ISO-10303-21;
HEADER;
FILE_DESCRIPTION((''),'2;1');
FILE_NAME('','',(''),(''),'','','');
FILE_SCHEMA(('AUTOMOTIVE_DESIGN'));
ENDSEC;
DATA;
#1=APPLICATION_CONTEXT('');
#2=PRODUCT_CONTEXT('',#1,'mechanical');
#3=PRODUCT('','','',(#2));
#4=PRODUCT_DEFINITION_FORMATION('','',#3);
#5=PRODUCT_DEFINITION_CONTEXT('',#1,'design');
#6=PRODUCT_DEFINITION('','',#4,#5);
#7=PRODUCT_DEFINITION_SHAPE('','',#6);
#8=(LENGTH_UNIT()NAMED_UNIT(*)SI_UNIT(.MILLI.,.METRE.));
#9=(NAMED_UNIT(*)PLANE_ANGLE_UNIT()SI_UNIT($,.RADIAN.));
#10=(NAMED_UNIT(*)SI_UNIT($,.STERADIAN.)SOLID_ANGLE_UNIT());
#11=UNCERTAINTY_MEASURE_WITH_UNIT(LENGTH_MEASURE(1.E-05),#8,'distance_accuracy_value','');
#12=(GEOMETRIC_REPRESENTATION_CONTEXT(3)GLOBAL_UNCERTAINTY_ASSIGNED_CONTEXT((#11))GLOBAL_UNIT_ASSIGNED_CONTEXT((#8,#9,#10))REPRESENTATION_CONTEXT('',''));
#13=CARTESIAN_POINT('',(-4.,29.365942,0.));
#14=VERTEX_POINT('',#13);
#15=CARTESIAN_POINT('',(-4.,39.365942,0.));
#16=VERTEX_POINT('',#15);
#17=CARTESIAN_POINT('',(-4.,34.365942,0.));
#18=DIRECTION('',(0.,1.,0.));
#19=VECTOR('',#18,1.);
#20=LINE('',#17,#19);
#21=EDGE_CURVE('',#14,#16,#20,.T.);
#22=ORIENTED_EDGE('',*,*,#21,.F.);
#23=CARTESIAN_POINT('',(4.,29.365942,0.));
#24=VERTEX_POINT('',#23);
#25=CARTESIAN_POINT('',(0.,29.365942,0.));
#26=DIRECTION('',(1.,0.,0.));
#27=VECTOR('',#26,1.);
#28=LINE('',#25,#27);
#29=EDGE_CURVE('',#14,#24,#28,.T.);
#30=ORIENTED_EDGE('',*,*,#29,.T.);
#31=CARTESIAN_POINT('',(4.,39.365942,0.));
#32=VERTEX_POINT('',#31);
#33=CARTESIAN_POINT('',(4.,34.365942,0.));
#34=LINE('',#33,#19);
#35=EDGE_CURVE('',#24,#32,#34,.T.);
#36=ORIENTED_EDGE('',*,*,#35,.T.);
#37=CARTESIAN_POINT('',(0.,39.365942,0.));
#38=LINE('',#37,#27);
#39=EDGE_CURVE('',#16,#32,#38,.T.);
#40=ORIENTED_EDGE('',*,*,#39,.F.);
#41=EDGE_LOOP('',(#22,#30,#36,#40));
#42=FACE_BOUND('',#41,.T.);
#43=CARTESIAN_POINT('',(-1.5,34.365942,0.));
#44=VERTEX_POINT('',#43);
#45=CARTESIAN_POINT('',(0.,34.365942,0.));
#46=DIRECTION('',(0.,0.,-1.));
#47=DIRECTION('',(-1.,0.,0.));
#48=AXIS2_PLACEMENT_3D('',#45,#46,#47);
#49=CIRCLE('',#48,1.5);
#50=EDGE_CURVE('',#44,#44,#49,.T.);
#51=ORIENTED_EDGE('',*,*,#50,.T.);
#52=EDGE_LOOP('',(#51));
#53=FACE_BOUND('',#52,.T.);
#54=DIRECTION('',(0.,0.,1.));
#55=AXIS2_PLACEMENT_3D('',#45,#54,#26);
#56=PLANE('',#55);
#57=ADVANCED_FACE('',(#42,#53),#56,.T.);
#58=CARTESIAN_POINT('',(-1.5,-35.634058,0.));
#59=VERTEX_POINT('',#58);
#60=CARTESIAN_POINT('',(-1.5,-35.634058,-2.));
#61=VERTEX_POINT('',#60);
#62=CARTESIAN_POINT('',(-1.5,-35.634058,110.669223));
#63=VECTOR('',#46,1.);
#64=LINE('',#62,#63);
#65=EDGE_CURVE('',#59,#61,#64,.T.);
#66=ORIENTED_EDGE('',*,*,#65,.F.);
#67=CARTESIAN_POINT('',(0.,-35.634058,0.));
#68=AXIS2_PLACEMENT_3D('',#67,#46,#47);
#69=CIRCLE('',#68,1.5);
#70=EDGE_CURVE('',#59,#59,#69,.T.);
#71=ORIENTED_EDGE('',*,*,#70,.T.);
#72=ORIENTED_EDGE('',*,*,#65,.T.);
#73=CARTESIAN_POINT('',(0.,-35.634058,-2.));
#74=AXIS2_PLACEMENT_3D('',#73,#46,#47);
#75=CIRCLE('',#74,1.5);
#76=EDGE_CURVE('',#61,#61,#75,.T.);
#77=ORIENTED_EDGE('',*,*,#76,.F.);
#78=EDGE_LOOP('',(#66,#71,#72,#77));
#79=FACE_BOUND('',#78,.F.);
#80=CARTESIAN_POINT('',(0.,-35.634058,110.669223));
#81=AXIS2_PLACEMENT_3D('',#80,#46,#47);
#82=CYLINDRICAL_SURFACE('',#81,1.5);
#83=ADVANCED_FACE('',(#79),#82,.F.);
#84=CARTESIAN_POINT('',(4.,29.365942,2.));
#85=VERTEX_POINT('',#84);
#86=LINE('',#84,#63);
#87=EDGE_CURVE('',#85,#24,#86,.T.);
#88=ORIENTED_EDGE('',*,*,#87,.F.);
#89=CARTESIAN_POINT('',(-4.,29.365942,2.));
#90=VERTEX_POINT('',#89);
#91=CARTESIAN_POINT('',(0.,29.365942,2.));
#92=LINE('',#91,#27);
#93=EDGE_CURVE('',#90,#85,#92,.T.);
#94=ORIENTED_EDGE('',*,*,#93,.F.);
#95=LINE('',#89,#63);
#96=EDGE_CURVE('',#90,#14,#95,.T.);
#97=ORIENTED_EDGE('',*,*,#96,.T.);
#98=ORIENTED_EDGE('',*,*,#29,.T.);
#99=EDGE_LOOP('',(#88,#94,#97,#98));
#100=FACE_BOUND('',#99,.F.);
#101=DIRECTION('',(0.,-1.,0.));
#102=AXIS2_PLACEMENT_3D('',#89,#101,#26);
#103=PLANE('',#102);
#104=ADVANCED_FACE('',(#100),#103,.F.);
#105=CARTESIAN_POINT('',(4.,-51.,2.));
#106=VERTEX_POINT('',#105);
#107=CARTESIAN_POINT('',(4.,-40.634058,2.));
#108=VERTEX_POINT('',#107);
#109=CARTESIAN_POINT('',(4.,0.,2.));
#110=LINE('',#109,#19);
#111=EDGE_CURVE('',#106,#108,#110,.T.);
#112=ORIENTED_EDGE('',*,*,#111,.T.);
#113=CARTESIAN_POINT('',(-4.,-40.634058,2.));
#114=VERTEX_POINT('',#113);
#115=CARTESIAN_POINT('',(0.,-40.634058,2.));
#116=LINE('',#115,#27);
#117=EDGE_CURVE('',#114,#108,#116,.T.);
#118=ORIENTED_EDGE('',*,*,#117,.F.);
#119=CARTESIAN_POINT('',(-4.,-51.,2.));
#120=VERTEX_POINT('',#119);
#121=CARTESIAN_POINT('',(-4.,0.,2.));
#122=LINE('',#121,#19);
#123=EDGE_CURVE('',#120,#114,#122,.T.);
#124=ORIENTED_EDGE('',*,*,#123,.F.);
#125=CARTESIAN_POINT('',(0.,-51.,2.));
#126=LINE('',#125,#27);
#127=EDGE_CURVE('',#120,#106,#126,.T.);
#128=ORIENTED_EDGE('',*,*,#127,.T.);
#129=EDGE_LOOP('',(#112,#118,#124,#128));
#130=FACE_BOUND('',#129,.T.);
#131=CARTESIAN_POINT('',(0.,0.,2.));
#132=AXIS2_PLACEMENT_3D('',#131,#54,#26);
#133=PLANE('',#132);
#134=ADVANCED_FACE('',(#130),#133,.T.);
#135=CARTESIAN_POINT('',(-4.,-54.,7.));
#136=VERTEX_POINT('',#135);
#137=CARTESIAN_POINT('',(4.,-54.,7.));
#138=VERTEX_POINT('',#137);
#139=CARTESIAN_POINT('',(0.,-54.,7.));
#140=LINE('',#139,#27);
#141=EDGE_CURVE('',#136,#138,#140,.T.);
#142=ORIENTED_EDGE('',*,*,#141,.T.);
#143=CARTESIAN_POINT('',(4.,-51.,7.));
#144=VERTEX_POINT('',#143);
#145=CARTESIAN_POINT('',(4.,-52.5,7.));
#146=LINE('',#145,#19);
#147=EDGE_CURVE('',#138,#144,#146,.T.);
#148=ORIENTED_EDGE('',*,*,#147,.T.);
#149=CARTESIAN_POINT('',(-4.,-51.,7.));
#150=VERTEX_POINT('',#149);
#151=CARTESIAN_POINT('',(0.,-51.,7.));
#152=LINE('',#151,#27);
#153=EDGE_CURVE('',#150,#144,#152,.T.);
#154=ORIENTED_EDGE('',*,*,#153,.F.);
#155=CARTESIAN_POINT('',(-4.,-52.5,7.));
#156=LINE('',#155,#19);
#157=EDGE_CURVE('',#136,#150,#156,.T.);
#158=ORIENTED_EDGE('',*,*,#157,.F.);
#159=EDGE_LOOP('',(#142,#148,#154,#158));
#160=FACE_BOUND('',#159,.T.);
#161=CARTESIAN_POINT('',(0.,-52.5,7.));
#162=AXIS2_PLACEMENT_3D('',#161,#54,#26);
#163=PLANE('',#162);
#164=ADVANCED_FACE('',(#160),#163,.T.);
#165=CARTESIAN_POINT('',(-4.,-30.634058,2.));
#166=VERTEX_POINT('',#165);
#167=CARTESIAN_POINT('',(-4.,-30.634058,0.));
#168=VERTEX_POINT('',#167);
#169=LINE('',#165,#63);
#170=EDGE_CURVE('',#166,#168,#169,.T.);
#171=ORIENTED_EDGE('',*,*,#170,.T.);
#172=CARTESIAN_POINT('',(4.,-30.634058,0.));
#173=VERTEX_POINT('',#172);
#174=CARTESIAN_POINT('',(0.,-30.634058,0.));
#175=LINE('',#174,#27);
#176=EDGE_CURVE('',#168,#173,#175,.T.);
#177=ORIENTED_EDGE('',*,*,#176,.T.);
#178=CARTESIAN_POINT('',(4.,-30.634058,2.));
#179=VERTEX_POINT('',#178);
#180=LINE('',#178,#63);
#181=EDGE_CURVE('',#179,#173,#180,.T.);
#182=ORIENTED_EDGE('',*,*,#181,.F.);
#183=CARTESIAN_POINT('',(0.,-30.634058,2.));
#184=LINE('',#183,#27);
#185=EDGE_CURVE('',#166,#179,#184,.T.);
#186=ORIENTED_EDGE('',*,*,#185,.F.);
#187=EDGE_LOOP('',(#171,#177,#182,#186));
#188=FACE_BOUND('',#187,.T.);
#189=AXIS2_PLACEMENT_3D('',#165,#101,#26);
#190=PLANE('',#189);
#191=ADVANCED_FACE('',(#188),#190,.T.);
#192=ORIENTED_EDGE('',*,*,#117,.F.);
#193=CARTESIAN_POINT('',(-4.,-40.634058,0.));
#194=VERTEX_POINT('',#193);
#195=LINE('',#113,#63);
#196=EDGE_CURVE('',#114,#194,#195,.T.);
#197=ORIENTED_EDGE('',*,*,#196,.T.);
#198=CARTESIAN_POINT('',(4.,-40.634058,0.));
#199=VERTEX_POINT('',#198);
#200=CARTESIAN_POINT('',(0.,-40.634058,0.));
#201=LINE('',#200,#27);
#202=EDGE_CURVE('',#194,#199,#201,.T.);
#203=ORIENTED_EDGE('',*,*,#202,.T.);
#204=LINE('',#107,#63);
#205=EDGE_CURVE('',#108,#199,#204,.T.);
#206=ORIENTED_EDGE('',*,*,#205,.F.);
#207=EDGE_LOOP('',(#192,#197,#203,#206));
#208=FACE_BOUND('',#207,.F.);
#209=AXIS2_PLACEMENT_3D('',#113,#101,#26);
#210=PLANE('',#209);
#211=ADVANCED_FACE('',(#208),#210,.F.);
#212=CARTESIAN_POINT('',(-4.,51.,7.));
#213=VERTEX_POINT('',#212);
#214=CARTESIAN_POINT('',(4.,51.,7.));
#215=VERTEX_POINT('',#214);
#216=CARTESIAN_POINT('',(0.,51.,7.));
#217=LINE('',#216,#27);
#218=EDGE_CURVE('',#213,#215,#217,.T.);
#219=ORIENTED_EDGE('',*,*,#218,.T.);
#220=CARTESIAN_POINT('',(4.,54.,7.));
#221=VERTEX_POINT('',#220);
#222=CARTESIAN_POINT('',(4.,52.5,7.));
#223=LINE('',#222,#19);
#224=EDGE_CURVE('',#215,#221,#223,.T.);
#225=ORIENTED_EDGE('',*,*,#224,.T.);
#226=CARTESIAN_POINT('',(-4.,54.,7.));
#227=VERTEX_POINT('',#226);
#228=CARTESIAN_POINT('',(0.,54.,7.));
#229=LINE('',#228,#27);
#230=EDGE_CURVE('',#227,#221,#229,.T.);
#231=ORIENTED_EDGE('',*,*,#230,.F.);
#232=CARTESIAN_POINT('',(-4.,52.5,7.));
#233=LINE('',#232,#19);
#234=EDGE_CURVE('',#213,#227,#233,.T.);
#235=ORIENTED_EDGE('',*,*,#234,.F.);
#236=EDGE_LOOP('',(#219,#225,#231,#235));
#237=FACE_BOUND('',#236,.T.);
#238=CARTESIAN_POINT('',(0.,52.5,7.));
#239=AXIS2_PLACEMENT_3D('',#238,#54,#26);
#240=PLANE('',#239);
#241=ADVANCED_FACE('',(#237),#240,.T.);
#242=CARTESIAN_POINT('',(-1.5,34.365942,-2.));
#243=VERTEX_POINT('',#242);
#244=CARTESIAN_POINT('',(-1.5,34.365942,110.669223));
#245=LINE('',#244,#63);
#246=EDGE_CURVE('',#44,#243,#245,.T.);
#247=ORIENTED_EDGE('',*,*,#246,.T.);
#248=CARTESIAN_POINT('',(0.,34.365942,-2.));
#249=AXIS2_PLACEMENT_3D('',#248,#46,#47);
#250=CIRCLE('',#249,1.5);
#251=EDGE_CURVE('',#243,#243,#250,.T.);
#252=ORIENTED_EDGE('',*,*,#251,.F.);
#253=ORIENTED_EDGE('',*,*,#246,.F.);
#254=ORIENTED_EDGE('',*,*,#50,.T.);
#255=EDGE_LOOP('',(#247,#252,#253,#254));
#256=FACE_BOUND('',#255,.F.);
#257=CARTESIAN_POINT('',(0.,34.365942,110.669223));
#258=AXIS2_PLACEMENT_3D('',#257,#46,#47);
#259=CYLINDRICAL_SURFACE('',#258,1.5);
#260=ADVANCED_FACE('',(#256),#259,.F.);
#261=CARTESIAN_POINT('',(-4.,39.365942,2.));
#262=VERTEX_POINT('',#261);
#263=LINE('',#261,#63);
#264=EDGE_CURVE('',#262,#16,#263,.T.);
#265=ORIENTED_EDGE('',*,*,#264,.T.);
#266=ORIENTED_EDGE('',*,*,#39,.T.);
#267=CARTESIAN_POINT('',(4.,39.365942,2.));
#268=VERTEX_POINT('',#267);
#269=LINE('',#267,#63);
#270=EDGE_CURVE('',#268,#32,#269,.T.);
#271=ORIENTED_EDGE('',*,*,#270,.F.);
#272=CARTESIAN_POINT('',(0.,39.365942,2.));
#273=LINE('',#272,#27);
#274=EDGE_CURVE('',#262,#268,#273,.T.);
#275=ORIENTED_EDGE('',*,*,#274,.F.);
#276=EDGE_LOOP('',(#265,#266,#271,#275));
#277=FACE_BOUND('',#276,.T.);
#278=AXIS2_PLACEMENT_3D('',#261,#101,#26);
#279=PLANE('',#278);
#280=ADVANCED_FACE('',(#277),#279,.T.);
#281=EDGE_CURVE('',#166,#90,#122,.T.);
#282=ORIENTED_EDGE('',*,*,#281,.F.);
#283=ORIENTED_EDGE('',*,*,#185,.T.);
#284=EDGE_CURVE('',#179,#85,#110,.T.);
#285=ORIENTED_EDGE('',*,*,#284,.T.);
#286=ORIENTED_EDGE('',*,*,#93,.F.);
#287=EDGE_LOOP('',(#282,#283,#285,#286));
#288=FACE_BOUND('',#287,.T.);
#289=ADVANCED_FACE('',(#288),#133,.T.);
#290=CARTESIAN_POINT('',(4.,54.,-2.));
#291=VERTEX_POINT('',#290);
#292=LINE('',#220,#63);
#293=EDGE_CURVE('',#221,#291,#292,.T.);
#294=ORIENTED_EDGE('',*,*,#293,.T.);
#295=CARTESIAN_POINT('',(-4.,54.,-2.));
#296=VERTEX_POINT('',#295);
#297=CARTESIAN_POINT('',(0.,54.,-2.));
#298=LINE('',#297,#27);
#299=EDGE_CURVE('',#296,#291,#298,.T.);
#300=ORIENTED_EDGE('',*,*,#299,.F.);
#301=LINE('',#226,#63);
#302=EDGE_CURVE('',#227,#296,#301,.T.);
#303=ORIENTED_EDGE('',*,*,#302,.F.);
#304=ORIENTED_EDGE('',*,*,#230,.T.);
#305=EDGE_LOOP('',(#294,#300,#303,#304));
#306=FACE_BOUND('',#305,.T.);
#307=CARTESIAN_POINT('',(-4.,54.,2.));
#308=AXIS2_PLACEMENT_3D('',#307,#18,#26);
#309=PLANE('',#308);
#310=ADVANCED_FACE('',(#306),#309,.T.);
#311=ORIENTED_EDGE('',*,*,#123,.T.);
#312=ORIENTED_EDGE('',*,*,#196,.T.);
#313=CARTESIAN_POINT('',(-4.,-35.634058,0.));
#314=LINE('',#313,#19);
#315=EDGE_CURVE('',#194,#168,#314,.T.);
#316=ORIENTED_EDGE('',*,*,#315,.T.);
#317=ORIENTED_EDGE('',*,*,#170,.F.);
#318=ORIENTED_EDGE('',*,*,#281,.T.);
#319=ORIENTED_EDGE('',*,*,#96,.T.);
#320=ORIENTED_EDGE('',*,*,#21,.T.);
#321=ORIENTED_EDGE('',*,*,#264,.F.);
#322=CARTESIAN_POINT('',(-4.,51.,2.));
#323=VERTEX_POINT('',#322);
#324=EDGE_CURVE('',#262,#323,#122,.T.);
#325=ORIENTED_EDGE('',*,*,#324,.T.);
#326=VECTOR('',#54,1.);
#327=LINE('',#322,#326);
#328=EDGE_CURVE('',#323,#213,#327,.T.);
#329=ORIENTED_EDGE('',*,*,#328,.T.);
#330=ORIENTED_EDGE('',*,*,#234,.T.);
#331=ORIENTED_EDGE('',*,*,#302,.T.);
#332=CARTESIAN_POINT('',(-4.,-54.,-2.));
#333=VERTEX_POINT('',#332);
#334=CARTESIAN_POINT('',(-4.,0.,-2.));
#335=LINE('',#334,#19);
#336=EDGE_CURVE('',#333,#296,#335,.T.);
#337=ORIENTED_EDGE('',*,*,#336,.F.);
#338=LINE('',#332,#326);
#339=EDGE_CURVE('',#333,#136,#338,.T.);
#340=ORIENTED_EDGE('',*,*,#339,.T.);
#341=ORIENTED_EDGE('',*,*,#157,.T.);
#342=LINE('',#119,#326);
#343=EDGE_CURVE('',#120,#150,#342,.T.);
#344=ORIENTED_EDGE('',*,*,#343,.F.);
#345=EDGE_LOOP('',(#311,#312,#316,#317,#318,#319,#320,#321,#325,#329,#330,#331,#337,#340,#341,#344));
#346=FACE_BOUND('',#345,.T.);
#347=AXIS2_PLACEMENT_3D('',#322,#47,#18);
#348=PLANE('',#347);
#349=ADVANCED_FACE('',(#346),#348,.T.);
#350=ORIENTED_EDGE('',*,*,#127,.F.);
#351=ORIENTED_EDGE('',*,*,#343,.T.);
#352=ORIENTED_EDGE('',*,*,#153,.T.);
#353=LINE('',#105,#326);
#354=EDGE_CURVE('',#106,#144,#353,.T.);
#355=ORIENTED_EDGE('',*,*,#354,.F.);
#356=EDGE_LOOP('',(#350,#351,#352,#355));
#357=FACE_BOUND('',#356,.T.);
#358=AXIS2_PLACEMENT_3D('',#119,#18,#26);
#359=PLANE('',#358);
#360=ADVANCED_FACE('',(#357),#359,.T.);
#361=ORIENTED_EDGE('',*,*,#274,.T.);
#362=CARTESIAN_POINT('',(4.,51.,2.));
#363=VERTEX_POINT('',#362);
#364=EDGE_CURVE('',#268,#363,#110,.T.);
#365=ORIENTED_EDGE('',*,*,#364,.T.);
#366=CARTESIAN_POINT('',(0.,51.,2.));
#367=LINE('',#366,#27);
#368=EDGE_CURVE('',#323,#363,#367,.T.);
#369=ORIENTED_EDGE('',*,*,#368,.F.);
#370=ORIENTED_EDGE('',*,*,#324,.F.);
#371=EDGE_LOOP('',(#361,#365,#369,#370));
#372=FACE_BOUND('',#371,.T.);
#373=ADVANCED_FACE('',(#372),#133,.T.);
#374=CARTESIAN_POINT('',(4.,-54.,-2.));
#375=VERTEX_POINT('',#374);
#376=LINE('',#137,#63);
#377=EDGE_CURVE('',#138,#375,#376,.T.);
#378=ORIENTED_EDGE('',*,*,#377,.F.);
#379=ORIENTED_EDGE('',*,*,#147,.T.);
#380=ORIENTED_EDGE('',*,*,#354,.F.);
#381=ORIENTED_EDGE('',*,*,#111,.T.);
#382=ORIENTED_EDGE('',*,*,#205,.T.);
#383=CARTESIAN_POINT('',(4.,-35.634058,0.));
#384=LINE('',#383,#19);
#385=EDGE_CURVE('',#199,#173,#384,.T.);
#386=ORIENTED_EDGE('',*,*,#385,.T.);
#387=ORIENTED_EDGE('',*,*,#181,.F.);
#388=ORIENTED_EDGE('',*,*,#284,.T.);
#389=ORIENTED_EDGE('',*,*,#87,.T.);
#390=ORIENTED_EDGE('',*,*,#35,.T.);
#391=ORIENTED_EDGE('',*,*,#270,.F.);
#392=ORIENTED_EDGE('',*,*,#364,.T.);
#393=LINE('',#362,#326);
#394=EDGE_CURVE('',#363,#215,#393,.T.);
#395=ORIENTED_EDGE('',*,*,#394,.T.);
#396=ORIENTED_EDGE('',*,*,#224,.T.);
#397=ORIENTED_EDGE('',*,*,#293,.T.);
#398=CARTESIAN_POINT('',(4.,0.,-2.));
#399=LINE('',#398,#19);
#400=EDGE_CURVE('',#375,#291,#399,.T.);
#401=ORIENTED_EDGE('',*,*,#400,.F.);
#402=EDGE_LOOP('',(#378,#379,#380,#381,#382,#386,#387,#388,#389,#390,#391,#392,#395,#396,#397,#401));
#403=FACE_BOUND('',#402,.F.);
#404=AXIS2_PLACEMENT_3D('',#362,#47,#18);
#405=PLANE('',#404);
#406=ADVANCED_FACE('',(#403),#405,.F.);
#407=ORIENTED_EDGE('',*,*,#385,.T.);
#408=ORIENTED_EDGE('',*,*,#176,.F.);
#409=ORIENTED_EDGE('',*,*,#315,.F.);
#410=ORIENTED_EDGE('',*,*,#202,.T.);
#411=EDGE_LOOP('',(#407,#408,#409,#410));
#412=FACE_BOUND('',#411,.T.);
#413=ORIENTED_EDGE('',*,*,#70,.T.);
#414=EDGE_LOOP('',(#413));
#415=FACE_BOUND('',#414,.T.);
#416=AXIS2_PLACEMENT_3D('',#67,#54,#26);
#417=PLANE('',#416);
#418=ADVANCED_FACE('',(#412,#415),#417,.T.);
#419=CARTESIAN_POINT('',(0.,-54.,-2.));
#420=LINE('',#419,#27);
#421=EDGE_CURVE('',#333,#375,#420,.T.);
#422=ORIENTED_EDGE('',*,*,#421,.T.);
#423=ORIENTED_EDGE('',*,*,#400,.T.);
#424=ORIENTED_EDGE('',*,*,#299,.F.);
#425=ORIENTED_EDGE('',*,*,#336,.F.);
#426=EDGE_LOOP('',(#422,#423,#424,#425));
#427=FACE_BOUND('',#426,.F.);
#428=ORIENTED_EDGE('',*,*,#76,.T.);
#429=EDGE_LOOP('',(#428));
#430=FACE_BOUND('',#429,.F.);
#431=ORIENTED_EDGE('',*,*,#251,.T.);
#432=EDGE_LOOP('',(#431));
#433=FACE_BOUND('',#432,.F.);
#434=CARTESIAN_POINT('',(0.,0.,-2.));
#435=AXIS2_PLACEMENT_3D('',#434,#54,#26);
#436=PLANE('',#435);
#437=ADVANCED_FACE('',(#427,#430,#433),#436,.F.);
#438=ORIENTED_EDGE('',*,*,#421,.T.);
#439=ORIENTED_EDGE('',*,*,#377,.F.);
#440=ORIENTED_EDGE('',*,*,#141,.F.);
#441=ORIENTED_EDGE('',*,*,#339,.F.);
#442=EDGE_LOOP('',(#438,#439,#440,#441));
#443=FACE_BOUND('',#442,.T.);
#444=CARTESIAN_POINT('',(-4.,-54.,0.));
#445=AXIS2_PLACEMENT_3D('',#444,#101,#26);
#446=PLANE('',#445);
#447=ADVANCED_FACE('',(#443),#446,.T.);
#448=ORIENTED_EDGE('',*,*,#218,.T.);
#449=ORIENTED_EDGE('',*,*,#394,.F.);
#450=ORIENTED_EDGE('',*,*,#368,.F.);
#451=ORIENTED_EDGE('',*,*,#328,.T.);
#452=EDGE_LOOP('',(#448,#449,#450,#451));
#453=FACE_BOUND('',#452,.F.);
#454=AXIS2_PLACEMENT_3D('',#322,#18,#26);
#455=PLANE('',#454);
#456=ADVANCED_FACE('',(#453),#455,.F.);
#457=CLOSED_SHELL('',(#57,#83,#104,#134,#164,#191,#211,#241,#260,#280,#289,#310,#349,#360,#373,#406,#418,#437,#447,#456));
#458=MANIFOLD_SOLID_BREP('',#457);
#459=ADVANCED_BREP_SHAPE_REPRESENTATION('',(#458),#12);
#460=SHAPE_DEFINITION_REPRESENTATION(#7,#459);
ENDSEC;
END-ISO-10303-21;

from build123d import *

# Parameters (mm, degrees)
F0_W     = 8
F0_H     = 108
F1_DEPTH = 2
F2_W     = 8
F2_H     = 3
F3_DEPTH = 5
F5_D     = 3
F6_W     = 8
F6_H     = 10
F6_R     = 1.5
F7_DEPTH = 2


with BuildPart() as f1:
    # F0 (on Top) → F1 (new body, symmetric)
    with BuildSketch(Plane.XY):
        Rectangle(F0_W, F0_H)
    extrude(amount=F1_DEPTH, both=True)

    # F2 (on face) → F3 (join)
    with BuildSketch(Plane.XY.offset(2)):
        with Locations((0, 52.5)):
            Rectangle(F2_W, F2_H)
        with Locations((0, -52.5)):
            Rectangle(F2_W, F2_H)
    extrude(amount=F3_DEPTH)

    # F5 (through all)
    with Locations(Plane.XY.offset(2)):
        with Locations((0, 34.365942), (0, -35.634058)):
            Hole(F5_D / 2)

    # F6 (on face) → F7 (cut)
    with BuildSketch(Plane.XY.offset(2)):
        with Locations((0, -35.634058)):
            Rectangle(F6_W, F6_H)
        with Locations((0, -35.634058)):
            Circle(F6_R, mode=Mode.SUBTRACT)
        with Locations((0, 34.365942)):
            Rectangle(F6_W, F6_H)
        with Locations((0, 34.365942)):
            Circle(F6_R, mode=Mode.SUBTRACT)
    extrude(amount=-F7_DEPTH, mode=Mode.SUBTRACT)


solid = f1.part
